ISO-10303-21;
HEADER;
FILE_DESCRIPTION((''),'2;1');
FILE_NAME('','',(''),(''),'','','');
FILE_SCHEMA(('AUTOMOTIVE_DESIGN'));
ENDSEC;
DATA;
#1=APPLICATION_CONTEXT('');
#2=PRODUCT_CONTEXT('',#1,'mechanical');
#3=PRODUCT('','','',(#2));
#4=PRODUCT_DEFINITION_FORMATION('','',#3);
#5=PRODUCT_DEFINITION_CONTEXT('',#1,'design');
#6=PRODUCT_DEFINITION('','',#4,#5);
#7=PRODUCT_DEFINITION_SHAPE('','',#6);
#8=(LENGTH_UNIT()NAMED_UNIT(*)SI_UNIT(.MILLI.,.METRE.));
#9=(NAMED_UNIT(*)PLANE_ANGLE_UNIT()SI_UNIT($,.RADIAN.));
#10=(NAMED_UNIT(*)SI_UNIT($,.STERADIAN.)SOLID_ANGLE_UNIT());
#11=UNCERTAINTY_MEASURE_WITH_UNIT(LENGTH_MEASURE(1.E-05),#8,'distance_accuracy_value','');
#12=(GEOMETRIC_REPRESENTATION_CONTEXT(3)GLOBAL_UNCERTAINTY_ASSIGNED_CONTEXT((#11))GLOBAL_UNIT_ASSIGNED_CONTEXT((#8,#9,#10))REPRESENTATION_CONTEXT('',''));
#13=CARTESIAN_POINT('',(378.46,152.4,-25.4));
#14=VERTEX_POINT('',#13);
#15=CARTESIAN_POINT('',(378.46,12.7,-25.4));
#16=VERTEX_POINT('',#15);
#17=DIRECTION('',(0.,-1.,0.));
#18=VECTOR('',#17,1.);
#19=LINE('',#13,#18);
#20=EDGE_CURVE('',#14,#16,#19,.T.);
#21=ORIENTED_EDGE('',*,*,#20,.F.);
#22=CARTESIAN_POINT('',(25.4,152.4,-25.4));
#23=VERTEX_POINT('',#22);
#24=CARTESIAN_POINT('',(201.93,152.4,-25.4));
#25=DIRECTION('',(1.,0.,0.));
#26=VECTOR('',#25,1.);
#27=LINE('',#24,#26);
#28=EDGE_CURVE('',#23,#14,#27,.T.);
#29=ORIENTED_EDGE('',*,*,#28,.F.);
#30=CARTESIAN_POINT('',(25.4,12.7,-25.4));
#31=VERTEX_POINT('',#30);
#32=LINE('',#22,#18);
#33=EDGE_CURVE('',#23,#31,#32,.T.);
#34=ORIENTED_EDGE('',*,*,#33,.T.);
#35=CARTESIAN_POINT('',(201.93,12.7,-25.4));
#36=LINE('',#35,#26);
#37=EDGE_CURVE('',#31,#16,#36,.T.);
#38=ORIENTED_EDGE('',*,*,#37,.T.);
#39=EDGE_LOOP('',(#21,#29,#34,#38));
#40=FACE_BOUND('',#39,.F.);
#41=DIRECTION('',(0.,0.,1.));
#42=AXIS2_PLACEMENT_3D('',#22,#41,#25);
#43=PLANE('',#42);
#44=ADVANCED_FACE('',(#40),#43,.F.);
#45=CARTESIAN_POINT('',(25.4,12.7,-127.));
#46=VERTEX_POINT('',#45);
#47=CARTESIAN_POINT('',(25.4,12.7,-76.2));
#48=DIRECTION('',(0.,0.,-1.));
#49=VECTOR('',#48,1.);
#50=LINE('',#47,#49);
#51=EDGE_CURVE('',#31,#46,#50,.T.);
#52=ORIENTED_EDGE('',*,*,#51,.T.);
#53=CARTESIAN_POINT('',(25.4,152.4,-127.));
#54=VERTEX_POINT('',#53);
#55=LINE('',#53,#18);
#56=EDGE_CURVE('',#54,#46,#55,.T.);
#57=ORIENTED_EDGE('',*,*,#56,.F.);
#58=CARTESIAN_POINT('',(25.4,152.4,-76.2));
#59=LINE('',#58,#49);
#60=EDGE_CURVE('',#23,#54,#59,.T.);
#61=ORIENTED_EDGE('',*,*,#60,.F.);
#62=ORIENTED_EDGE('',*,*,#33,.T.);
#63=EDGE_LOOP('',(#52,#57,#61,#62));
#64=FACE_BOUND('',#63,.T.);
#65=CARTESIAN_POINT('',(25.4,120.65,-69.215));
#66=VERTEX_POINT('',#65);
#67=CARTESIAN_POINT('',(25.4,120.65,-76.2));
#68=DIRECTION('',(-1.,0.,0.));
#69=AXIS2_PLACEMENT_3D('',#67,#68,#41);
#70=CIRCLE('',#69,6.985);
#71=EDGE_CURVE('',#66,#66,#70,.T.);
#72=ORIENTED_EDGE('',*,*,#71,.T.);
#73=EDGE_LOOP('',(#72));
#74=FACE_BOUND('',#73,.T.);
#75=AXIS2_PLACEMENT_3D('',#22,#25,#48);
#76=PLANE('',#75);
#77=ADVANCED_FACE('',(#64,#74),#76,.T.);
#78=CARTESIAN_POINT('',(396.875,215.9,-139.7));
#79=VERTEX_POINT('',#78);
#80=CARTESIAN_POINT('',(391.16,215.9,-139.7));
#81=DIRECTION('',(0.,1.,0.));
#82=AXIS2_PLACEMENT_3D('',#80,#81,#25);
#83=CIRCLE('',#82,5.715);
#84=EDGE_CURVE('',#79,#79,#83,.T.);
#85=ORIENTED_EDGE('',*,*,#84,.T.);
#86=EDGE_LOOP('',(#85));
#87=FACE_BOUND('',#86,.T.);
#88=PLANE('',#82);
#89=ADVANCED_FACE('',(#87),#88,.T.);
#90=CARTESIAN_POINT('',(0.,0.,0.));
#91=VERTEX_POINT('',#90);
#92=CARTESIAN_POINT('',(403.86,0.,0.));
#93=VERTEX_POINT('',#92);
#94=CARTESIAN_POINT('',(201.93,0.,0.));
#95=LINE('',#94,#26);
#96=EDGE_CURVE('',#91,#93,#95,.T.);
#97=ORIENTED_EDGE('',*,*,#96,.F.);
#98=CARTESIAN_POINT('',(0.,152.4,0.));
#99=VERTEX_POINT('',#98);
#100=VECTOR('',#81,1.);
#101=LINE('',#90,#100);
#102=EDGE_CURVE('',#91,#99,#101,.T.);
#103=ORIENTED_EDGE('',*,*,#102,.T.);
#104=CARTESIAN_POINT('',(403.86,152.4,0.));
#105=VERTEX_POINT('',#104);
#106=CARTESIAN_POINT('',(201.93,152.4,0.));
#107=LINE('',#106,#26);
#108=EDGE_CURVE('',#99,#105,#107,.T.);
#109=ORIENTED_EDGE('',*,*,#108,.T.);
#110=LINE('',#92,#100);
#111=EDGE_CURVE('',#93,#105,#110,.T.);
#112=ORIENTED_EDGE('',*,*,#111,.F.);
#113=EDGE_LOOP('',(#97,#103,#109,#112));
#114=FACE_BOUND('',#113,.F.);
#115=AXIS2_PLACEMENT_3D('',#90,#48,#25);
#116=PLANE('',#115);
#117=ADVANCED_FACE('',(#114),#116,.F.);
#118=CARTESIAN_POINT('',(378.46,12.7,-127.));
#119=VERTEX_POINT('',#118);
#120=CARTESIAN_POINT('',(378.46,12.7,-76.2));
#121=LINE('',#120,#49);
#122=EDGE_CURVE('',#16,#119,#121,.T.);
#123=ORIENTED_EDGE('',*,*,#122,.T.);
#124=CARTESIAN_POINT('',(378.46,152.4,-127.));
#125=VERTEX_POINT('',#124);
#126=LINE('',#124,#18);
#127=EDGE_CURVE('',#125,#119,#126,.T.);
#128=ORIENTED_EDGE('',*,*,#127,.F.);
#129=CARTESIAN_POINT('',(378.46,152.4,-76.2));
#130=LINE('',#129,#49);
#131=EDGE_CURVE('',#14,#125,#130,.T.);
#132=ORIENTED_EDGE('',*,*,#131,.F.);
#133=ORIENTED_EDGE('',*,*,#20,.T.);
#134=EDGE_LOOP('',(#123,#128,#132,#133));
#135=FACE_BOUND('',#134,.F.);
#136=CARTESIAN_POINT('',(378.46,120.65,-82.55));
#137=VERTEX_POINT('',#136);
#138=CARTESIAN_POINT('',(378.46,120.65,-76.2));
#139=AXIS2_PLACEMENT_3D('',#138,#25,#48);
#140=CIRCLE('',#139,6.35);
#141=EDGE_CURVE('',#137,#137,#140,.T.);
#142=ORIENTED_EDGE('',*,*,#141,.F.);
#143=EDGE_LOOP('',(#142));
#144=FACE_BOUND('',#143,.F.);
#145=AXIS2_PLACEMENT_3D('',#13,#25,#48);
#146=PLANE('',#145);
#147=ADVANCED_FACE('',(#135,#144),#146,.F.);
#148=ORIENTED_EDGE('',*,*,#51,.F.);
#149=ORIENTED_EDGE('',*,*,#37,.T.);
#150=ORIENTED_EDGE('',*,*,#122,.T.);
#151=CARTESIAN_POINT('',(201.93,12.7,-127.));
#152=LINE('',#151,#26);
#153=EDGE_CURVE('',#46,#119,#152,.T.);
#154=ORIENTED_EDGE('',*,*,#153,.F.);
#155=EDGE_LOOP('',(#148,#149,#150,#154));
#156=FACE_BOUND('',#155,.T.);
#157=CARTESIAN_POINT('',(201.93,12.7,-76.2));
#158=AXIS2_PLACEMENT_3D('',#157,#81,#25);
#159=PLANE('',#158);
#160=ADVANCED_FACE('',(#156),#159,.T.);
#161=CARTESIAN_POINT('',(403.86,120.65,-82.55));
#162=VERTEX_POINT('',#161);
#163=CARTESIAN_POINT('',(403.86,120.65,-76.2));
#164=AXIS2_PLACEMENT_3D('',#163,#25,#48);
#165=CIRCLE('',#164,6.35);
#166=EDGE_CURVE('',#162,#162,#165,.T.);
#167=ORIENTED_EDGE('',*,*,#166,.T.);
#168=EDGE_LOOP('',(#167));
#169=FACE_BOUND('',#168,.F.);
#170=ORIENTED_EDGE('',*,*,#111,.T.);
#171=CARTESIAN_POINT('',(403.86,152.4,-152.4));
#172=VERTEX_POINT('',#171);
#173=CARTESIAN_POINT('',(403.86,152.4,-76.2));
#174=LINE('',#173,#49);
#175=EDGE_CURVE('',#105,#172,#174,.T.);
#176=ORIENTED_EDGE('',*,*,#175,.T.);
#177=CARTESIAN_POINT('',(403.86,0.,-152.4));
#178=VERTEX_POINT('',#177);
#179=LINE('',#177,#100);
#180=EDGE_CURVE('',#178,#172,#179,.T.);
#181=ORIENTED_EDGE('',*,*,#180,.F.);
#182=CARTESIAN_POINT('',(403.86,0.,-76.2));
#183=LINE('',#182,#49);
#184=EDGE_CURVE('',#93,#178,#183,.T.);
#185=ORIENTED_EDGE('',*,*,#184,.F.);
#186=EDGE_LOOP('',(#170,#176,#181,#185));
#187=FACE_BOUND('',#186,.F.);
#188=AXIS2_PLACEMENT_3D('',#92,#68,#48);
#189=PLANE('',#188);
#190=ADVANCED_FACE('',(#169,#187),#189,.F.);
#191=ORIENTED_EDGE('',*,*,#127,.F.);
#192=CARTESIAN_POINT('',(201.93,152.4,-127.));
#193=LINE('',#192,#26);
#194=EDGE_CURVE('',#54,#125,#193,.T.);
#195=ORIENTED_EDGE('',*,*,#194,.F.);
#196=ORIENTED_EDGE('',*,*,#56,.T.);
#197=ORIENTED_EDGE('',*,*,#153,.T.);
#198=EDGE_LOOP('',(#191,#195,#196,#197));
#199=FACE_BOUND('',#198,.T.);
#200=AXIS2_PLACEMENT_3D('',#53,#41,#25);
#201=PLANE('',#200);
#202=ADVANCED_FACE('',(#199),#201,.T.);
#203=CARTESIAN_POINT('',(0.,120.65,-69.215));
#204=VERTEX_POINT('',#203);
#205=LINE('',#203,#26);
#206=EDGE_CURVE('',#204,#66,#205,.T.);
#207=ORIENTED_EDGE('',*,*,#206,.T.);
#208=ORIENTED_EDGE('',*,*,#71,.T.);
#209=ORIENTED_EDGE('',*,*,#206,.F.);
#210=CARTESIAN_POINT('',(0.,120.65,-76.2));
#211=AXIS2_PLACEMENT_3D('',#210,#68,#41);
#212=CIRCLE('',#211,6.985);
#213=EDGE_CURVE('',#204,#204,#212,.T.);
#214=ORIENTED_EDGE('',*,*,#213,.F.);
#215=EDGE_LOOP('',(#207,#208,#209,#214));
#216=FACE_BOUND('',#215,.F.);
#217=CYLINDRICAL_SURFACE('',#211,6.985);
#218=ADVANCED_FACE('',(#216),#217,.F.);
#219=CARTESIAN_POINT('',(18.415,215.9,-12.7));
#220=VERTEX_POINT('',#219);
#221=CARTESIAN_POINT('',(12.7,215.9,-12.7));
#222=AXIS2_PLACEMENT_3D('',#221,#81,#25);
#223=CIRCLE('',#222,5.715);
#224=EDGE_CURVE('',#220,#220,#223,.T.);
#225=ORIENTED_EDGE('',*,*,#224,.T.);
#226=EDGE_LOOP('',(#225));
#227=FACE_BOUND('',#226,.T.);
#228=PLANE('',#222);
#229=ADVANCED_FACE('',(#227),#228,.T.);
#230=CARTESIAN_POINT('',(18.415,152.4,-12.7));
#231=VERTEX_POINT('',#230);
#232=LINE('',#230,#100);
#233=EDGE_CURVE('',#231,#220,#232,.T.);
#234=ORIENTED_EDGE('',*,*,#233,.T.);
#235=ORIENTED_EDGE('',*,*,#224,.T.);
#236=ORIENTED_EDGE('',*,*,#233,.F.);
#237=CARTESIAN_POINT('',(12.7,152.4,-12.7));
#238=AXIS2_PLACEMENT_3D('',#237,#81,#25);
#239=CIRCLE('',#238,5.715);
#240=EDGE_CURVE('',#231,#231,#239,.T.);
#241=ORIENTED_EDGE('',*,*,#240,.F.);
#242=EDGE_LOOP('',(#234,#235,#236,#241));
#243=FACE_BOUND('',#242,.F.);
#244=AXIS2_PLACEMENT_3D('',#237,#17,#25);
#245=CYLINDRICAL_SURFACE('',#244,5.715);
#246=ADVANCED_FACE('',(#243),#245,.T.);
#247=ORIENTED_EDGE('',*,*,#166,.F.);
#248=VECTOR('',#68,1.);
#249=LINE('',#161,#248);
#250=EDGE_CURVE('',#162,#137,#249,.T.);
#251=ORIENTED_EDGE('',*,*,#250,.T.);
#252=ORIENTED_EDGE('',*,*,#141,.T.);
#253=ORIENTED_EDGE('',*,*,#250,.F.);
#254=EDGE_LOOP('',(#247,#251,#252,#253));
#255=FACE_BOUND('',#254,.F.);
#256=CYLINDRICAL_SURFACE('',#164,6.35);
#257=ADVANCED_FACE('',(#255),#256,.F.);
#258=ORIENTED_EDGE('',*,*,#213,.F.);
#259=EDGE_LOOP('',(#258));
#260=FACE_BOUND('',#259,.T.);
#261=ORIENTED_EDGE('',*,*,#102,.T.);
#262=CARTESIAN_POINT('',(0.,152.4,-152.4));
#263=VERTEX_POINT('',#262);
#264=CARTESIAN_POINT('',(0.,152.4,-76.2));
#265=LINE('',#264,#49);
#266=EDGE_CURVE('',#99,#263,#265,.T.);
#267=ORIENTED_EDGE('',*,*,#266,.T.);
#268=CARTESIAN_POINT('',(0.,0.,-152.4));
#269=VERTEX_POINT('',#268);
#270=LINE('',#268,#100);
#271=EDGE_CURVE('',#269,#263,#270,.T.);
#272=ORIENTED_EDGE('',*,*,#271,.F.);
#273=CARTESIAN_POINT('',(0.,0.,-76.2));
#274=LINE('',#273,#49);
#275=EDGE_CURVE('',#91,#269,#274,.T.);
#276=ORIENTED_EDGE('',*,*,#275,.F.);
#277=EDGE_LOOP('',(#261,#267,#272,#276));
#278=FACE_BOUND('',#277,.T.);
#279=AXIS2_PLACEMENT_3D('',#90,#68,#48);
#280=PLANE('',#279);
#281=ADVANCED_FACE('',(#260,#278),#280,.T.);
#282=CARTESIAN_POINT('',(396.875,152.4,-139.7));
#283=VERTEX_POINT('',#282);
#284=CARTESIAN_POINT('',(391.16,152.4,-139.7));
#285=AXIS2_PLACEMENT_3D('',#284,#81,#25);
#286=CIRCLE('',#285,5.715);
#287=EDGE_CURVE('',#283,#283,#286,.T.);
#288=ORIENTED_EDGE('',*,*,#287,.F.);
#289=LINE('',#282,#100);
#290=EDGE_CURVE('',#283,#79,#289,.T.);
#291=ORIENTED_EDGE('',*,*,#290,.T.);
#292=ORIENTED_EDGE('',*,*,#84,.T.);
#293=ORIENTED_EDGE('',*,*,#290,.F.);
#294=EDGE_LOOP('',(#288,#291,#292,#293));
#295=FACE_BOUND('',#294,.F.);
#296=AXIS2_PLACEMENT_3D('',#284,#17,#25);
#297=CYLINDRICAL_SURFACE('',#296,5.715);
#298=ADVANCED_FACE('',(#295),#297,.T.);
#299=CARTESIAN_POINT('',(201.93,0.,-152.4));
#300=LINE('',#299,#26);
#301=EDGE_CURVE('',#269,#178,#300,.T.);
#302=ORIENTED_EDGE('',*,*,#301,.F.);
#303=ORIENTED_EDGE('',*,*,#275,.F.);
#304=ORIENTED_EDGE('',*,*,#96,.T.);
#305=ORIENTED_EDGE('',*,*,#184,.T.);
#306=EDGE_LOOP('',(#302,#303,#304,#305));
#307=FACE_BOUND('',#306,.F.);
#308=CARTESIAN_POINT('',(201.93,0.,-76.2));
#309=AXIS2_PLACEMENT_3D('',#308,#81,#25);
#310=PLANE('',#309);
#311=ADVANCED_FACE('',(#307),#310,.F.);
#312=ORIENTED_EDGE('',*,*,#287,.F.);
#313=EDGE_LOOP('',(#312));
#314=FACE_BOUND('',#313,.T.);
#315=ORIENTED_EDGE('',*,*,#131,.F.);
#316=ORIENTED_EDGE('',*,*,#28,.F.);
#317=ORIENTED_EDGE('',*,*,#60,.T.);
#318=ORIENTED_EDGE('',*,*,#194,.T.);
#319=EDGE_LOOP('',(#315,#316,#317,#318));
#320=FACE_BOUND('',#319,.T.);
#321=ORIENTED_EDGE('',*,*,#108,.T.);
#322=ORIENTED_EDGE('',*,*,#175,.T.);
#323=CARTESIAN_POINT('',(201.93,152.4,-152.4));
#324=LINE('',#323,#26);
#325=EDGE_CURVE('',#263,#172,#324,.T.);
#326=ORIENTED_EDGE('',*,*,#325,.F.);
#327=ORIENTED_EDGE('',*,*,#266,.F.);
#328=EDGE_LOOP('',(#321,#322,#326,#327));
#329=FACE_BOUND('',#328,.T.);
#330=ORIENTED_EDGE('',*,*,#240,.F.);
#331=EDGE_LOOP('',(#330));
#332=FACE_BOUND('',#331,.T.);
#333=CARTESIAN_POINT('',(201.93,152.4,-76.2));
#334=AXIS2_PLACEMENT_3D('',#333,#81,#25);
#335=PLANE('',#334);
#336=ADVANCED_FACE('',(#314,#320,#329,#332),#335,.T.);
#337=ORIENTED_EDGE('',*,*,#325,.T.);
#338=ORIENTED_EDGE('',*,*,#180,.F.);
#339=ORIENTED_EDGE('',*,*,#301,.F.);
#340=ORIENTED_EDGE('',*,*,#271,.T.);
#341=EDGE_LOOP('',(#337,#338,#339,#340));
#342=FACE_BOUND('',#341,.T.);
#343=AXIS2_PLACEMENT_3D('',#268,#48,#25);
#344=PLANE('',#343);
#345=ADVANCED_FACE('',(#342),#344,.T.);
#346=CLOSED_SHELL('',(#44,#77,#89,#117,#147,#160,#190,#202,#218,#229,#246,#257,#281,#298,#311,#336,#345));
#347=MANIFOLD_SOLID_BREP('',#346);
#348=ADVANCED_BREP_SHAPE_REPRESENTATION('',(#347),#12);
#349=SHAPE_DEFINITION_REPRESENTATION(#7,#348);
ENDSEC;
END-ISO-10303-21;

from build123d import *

# Parameters (mm, degrees)
SKETCH1_W           = 403.86
SKETCH1_H           = 152.4
BOSS_EXTRUDE1_DEPTH = 152.4
SKETCH3_W           = 353.06
SKETCH3_H           = 101.6
CUT_EXTRUDE1_DEPTH  = 139.7
SKETCH11_R          = 5.715
BOSS_EXTRUDE3_DEPTH = 63.5
SKETCH13_R          = 5.715
BOSS_EXTRUDE4_DEPTH = 63.5
SKETCH15_R          = 6.35
CUT_EXTRUDE2_DEPTH  = 63.5
SKETCH16_R          = 6.985
CUT_EXTRUDE3_DEPTH  = 63.5


with BuildPart() as part:
    # Sketch1 → Boss-Extrude1 (new body)
    with BuildSketch(Plane(origin=(0, 0, 0), x_dir=(1, 0, 0), z_dir=(0, 1, 0))):
        with Locations((201.93, 76.2)):
            Rectangle(SKETCH1_W, SKETCH1_H)
    extrude(amount=BOSS_EXTRUDE1_DEPTH)

    # Sketch3 → Cut-Extrude1 (cut)
    with BuildSketch(Plane(origin=(0, 152.4, 0), x_dir=(1, 0, 0), z_dir=(0, 1, 0))):
        with Locations((201.93, 76.2)):
            Rectangle(SKETCH3_W, SKETCH3_H)
    extrude(amount=-CUT_EXTRUDE1_DEPTH, mode=Mode.SUBTRACT)

    # Sketch11 → Boss-Extrude3 (add)
    with BuildSketch(Plane(origin=(0, 152.4, 0), x_dir=(1, 0, 0), z_dir=(0, 1, 0))):
        with Locations((12.7, 12.7)):
            Circle(SKETCH11_R)
    extrude(amount=BOSS_EXTRUDE3_DEPTH)

    # Sketch13 → Boss-Extrude4 (add)
    with BuildSketch(Plane(origin=(0, 152.4, 0), x_dir=(1, 0, 0), z_dir=(0, 1, 0))):
        with Locations((391.16, 139.7)):
            Circle(SKETCH13_R)
    extrude(amount=BOSS_EXTRUDE4_DEPTH)

    # Sketch15 → Cut-Extrude2 (cut)
    with BuildSketch(Plane(origin=(403.86, 0, 0), x_dir=(0, 0, -1), z_dir=(1, 0, 0))):
        with Locations((76.2, 120.65)):
            Circle(SKETCH15_R)
    extrude(amount=-CUT_EXTRUDE2_DEPTH, mode=Mode.SUBTRACT)

    # Sketch16 → Cut-Extrude3 (cut)
    with BuildSketch(Plane.ZY):
        with Locations((-76.2, 120.65)):
            Circle(SKETCH16_R)
    extrude(amount=-CUT_EXTRUDE3_DEPTH, mode=Mode.SUBTRACT)


solid = part.part
